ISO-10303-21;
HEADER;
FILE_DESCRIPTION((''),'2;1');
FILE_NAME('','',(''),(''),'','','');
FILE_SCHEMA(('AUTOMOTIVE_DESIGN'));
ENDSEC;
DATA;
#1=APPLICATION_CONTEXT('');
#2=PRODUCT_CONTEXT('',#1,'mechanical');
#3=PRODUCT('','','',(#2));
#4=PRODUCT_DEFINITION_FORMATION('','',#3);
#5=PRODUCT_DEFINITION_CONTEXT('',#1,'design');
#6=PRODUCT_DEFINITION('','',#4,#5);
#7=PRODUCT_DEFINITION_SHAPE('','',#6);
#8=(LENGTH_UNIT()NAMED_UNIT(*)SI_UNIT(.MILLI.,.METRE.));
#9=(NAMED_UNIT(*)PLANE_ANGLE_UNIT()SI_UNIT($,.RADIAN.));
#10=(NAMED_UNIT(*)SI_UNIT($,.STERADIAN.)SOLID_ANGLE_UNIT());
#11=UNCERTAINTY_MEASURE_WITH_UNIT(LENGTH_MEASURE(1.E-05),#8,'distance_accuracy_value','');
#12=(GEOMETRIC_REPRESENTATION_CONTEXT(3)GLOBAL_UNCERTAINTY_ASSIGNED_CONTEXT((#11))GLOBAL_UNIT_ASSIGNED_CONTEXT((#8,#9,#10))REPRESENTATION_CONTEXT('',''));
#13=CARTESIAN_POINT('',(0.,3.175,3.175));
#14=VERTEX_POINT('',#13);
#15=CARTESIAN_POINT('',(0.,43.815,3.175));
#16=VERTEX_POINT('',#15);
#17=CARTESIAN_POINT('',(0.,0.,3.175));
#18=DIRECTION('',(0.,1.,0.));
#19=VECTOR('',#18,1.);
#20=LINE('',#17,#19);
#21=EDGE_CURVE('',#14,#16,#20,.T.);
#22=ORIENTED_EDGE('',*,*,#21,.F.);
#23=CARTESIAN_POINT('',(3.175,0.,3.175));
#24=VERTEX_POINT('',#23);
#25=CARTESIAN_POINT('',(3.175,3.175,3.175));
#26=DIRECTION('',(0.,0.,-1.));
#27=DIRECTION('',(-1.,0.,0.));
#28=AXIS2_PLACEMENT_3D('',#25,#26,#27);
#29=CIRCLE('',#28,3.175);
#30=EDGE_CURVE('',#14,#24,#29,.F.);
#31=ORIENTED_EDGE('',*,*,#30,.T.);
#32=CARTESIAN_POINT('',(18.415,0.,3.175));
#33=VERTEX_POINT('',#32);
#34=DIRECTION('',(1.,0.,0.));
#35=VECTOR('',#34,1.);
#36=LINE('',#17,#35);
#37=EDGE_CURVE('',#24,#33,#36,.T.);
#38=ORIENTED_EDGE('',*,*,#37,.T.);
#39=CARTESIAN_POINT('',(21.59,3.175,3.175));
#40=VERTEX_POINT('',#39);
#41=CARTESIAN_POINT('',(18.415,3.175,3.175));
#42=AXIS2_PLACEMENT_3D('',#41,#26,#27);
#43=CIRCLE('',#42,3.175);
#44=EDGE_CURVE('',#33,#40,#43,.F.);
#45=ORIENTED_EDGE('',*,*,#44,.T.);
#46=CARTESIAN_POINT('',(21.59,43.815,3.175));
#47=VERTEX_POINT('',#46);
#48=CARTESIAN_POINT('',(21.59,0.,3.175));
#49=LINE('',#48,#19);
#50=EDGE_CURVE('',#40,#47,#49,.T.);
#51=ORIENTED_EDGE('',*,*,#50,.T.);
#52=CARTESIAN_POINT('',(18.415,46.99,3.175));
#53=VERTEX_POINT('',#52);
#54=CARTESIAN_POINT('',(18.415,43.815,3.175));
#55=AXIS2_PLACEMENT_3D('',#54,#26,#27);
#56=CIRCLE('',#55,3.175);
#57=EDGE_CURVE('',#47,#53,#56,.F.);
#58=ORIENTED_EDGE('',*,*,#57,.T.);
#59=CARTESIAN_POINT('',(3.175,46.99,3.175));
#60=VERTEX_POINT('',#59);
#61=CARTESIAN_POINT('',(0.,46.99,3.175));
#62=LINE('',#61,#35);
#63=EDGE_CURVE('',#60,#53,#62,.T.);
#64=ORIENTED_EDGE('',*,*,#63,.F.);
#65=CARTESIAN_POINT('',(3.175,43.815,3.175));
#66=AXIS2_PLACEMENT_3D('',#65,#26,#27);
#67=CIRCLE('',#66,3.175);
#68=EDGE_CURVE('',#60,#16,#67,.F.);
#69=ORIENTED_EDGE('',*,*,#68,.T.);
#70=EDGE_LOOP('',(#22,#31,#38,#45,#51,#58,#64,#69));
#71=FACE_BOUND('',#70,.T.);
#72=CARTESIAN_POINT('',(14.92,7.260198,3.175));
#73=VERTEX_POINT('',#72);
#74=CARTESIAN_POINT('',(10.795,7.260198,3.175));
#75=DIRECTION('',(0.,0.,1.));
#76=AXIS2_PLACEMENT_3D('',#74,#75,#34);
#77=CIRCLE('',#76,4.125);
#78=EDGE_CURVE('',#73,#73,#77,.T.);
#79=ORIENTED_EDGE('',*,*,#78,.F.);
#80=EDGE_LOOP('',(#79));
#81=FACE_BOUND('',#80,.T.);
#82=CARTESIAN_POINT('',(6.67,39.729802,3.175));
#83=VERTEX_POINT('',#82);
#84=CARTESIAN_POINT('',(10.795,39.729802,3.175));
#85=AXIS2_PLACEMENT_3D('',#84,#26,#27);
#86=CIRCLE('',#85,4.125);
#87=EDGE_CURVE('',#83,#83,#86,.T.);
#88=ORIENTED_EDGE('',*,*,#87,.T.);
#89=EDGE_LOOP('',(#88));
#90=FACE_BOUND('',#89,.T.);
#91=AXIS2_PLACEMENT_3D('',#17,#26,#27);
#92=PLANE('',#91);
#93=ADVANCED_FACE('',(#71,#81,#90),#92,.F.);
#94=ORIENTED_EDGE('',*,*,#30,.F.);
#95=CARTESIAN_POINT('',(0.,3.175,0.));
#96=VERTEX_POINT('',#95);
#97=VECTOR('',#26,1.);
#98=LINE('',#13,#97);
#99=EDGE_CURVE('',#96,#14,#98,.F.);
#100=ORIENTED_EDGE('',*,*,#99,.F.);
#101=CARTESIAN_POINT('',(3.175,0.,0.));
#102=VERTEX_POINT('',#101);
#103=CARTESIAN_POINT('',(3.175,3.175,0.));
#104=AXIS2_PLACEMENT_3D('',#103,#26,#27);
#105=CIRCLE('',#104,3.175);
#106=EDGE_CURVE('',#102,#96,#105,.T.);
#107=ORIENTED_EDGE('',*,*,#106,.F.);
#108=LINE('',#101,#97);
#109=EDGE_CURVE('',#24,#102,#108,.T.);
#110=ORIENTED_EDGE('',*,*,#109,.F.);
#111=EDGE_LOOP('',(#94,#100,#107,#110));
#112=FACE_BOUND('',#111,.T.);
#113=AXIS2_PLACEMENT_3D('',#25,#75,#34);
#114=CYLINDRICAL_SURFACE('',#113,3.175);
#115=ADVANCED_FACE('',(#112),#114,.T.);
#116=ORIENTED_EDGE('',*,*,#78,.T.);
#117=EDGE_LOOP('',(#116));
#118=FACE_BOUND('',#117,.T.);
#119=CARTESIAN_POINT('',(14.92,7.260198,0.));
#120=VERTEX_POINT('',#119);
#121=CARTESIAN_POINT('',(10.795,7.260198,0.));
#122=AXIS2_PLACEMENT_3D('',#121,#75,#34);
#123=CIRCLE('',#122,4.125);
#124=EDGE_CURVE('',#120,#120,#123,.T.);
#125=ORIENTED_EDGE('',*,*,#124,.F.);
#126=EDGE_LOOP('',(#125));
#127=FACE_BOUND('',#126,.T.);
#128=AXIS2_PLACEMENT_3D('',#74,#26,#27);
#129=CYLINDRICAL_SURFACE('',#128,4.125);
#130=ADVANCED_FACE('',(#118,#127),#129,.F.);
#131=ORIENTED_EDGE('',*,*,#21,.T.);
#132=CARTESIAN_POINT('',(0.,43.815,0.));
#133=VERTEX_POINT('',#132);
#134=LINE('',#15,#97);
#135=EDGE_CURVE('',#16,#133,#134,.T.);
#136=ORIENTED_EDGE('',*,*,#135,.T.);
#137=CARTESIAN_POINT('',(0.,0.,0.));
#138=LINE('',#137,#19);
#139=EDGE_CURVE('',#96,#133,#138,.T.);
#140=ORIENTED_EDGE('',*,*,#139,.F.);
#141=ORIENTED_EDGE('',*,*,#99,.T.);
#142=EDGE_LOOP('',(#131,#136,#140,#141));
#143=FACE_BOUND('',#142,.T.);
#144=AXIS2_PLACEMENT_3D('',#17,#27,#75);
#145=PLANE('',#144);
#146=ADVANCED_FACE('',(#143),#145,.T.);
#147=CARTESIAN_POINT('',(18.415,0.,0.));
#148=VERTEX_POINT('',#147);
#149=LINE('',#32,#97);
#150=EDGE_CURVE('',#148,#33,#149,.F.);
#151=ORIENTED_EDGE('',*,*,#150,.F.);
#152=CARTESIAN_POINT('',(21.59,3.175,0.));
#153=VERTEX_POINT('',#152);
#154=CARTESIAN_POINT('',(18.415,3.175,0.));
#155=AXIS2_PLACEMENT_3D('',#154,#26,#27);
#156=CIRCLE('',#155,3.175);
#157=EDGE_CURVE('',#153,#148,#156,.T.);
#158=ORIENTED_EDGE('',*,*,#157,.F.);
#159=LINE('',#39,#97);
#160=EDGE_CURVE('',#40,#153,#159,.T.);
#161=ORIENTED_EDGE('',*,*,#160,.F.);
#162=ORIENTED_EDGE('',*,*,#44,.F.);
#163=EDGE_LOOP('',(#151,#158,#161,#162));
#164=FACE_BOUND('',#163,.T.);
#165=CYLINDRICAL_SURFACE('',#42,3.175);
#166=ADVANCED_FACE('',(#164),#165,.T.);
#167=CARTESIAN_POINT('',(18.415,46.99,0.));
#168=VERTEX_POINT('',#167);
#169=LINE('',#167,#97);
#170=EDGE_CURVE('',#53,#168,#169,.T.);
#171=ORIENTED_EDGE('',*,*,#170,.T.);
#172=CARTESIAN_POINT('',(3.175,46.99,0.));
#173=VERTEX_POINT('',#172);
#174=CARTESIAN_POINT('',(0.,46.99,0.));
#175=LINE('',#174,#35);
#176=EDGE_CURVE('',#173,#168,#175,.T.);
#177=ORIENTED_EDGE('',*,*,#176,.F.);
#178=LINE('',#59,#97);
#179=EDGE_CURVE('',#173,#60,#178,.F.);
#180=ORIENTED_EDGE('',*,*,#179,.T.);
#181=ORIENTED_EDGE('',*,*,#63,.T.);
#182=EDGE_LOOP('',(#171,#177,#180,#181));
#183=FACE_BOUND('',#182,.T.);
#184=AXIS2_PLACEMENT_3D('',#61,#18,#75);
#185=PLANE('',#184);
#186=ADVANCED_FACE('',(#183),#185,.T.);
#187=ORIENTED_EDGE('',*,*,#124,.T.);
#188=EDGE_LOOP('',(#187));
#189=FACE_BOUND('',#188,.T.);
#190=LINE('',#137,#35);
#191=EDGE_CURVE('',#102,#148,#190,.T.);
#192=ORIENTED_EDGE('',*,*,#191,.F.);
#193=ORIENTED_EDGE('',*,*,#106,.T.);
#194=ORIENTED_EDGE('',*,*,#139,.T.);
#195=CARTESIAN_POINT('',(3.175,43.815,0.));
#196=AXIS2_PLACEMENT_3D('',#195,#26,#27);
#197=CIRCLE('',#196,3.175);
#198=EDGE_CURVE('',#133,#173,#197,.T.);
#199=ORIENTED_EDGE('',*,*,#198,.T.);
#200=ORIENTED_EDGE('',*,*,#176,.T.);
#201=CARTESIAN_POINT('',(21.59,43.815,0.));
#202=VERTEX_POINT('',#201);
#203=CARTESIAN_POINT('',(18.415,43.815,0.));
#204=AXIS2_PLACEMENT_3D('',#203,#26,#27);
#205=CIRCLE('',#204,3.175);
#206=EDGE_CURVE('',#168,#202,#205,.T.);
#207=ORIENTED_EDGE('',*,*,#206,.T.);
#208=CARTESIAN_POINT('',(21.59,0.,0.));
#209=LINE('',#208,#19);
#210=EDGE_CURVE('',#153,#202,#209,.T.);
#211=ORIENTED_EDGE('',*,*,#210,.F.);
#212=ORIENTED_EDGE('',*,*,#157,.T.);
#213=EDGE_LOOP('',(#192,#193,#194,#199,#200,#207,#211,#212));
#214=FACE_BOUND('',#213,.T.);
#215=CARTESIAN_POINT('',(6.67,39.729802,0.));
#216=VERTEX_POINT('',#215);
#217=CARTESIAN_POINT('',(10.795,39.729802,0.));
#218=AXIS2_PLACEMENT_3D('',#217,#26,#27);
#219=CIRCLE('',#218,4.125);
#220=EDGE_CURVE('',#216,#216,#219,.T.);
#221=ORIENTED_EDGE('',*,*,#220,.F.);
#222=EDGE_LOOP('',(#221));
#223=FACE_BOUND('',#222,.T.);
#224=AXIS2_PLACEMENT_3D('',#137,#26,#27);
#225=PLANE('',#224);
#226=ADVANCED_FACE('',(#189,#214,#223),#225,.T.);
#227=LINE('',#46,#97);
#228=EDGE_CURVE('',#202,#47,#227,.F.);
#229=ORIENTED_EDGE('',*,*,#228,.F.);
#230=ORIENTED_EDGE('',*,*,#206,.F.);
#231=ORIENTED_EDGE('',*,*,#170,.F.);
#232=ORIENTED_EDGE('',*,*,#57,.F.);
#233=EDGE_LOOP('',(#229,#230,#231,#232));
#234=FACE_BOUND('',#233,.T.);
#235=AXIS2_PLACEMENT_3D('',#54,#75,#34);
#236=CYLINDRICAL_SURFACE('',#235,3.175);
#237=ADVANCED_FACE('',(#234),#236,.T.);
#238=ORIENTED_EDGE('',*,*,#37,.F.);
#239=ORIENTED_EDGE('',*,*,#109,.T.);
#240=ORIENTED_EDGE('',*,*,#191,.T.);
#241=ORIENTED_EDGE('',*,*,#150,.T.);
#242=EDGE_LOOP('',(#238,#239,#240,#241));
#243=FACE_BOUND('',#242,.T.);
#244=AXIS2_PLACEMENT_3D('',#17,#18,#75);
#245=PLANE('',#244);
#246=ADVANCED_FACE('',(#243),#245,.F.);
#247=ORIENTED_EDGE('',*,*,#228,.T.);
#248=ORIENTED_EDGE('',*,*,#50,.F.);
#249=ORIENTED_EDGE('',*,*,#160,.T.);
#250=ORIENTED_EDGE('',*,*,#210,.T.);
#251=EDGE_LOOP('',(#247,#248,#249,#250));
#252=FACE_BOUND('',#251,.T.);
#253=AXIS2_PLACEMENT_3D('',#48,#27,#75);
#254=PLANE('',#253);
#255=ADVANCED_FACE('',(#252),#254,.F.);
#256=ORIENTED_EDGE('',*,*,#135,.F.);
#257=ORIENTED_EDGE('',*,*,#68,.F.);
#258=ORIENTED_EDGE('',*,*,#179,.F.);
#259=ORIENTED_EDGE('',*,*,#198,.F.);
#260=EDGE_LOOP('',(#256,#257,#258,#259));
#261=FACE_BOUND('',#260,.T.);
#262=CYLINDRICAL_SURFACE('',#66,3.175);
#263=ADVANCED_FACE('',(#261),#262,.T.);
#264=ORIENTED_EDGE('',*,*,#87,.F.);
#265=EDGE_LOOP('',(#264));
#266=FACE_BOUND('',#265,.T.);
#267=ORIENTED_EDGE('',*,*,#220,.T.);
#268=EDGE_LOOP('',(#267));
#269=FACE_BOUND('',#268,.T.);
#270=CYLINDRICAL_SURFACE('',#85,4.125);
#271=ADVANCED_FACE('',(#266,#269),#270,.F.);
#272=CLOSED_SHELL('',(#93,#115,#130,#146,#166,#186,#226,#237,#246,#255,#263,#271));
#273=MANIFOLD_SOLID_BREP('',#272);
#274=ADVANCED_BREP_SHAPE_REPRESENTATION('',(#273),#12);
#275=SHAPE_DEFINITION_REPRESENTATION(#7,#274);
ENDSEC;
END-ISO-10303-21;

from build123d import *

# Parameters (mm, degrees)
SKETCH1_W           = 21.59
SKETCH1_H           = 46.99
SKETCH1_R           = 4.124999878
BOSS_EXTRUDE1_DEPTH = 3.175
FILLET1_R           = 3.175


with BuildPart() as part:
    # Sketch1 → Boss-Extrude1 (new body)
    with BuildSketch(Plane.XY):
        with Locations((10.795, 23.495)):
            Rectangle(SKETCH1_W, SKETCH1_H)
        with Locations((10.795, 7.260198401)):
            Circle(SKETCH1_R, mode=Mode.SUBTRACT)
        with Locations(Location((10.795, 39.729801599, 0), (0, 0, 180))):
            Circle(SKETCH1_R, mode=Mode.SUBTRACT)
    extrude(amount=BOSS_EXTRUDE1_DEPTH)

    # Fillet1
    fillet1_edges = [part.edges().sort_by_distance(p)[0] for p in [
        (0, 0, 1.5875),
        (21.59, 0, 1.5875),
        (21.59, 46.99, 1.5875),
        (0, 46.99, 1.5875),
    ]]
    fillet(fillet1_edges, radius=FILLET1_R)


solid = part.part
